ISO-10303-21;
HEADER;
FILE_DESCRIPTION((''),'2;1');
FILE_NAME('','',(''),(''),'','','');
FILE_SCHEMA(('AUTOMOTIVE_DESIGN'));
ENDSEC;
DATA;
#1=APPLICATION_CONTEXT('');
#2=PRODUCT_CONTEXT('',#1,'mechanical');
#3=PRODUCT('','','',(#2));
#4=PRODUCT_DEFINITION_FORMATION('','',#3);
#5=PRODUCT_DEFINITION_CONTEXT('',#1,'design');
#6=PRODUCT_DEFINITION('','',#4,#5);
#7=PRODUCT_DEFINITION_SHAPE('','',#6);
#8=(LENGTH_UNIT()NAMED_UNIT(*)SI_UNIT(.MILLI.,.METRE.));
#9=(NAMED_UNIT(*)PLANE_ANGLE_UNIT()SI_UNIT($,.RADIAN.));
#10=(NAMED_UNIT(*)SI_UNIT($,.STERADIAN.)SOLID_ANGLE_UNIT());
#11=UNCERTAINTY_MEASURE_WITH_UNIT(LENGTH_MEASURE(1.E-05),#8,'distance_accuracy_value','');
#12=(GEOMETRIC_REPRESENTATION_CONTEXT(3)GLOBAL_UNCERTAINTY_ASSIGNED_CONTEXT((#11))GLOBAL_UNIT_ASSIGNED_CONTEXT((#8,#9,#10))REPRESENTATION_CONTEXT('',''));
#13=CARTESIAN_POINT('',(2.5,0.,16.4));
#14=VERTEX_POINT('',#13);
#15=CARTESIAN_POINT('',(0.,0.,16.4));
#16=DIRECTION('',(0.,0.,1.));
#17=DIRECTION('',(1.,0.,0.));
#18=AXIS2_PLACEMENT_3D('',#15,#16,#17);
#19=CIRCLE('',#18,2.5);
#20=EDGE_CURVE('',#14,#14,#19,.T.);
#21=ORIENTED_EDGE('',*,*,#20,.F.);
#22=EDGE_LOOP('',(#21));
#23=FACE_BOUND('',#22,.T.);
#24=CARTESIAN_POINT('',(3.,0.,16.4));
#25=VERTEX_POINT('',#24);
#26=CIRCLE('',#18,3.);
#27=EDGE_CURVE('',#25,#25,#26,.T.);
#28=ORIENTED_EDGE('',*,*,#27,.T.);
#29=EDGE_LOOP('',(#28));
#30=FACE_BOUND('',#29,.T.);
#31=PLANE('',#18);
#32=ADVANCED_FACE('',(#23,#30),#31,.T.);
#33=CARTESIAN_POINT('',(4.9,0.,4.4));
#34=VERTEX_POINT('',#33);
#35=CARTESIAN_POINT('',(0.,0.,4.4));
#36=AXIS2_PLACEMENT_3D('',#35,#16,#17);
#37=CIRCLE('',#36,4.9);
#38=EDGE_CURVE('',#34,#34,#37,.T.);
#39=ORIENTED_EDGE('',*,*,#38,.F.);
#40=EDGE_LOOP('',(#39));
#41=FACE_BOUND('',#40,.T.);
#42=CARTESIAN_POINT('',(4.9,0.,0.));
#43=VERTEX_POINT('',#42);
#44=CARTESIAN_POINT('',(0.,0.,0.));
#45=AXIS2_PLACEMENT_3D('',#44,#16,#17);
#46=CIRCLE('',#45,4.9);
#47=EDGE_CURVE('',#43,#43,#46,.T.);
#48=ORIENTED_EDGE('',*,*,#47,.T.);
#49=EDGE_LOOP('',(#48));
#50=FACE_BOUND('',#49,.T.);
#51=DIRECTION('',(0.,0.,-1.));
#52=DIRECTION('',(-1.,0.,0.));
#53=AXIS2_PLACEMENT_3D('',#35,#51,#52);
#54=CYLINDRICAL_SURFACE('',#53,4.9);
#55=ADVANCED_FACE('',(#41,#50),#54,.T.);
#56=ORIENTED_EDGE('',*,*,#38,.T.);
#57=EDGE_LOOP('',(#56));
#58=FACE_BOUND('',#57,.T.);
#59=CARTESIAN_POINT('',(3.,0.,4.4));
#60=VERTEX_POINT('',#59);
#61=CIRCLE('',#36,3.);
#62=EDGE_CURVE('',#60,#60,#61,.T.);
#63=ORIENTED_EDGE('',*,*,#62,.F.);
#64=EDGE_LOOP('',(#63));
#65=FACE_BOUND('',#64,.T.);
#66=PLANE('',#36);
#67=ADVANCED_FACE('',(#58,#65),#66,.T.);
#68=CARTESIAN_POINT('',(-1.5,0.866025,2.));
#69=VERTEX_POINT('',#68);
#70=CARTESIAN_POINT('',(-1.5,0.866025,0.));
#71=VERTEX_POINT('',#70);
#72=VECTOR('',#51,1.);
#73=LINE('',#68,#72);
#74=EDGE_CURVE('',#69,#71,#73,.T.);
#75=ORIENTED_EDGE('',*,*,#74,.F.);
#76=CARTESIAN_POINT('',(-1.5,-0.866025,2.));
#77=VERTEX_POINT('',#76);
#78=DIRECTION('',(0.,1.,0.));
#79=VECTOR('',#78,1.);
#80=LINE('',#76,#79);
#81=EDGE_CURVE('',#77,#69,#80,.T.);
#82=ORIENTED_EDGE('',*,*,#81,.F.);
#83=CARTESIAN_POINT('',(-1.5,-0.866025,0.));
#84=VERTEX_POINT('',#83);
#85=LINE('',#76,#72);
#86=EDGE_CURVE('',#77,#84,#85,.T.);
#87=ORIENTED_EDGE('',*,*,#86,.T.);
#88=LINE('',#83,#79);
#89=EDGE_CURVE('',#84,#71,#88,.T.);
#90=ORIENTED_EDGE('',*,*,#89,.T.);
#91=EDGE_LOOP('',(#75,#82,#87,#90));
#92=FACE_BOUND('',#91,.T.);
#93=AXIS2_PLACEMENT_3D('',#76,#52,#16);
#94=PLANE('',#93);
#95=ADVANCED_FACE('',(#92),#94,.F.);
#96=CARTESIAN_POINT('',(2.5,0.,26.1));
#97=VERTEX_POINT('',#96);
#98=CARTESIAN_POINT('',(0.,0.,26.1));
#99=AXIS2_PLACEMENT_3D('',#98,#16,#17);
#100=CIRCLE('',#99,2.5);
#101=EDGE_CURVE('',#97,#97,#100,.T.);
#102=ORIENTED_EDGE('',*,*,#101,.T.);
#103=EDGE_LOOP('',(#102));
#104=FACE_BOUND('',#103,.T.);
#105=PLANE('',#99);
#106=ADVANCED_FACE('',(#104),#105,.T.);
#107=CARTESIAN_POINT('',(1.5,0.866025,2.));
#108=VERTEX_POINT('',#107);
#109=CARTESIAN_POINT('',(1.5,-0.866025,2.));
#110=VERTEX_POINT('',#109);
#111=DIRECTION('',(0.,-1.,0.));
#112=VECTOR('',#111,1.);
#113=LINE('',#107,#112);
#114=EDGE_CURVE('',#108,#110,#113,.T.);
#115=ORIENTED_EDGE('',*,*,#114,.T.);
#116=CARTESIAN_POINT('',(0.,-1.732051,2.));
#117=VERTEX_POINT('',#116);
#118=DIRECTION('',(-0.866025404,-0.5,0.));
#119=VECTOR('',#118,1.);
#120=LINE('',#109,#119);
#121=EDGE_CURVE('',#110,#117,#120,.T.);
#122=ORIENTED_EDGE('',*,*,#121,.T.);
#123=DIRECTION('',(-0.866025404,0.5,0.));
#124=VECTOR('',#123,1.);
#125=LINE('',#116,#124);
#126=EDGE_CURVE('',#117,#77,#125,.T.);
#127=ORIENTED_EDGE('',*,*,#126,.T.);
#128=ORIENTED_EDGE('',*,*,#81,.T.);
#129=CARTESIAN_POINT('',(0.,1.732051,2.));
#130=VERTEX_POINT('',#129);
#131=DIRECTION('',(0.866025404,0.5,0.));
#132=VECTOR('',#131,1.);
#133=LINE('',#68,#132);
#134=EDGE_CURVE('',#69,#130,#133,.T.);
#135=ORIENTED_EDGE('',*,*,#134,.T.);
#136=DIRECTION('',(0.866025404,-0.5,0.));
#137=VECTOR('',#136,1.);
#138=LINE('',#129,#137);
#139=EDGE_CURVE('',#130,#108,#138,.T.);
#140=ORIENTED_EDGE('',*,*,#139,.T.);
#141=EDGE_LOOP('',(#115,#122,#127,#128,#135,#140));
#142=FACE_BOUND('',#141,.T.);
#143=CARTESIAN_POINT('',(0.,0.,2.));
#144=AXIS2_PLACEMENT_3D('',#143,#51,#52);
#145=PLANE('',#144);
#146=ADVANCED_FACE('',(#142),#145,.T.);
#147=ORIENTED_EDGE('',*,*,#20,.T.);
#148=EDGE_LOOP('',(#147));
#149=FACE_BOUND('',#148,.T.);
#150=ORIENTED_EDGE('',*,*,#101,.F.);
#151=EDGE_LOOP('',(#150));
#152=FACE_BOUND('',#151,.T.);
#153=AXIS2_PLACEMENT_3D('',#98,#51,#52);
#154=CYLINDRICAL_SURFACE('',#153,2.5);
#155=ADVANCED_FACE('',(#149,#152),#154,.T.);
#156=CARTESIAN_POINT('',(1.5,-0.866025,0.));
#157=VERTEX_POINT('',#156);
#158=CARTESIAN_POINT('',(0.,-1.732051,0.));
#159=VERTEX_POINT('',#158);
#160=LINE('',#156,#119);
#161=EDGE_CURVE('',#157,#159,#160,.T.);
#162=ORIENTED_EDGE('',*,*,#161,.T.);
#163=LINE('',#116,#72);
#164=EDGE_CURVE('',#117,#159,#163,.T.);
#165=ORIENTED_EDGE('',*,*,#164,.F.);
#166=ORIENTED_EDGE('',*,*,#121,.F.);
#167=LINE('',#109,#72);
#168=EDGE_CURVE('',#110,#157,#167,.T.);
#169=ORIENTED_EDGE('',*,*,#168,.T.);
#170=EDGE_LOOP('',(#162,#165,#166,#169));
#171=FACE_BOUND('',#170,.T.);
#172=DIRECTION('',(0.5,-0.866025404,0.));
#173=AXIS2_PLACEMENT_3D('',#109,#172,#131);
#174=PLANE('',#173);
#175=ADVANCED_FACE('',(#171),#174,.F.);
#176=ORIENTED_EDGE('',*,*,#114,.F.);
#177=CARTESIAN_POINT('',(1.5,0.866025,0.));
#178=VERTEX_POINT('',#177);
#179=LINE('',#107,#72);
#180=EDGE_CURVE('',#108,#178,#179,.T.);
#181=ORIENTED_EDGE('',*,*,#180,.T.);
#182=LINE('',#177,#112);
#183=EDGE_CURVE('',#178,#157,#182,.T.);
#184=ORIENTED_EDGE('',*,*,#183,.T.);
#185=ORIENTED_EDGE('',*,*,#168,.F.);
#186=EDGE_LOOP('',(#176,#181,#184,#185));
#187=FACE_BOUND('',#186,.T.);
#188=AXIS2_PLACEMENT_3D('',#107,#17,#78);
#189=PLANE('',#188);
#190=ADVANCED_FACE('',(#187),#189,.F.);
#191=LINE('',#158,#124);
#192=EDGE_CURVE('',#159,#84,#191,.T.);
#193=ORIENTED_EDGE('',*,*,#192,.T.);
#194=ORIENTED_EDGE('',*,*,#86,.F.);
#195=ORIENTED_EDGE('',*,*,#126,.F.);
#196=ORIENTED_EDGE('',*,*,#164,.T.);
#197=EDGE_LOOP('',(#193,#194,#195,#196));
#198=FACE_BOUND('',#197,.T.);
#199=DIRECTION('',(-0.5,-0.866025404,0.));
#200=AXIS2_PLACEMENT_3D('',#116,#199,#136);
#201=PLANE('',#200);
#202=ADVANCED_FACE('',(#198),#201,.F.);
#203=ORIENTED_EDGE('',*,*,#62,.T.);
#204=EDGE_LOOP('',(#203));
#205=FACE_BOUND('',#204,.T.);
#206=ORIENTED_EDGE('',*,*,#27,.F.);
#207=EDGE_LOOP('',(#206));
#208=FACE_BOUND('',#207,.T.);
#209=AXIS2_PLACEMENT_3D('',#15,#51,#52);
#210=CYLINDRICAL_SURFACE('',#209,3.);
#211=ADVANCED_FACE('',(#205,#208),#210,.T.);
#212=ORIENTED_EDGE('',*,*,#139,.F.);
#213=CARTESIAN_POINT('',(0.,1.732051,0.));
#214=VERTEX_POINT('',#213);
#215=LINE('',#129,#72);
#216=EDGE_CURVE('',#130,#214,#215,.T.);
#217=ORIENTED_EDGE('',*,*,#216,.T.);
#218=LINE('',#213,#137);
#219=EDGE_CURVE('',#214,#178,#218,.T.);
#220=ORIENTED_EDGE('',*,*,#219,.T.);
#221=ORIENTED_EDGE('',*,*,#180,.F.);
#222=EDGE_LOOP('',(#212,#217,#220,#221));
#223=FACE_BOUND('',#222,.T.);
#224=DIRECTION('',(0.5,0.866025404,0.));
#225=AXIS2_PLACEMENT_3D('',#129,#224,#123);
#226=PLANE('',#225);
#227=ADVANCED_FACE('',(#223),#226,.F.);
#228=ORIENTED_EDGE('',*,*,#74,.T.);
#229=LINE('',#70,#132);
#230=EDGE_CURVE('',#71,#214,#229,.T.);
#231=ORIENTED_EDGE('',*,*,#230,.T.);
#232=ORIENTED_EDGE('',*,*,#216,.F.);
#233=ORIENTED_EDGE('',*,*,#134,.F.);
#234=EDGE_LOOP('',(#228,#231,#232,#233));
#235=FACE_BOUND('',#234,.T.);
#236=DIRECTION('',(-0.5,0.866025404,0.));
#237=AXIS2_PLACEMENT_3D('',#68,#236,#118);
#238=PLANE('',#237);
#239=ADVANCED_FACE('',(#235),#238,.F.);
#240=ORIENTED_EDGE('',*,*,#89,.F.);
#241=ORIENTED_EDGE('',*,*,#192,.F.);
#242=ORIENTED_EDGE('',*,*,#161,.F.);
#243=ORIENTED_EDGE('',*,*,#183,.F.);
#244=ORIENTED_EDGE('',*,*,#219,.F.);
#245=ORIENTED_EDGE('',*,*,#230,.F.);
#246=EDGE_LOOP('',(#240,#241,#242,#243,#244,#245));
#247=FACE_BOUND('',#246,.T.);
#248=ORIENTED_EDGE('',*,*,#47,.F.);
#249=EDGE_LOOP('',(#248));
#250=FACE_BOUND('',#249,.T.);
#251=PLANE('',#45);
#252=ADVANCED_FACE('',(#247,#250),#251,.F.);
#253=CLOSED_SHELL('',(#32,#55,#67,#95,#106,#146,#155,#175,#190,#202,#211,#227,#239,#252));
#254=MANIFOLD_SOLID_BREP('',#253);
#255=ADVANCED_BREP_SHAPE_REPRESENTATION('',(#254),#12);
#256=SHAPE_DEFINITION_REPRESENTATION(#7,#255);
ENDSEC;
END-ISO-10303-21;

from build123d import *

# Parameters (mm, degrees)
SKETCH_1_R          = 4.9
EXTRUDE_1_DEPTH     = 4.4
SKETCH_2_R          = 3
EXTRUDE_2_DEPTH     = 12
SKETCH_3_R          = 2.5
EXTRUDE_3_DEPTH     = 9.7
CUT_EXTRUDE_1_DEPTH = 2


with BuildPart() as part:
    # 草图1 → 凸台-拉伸1 (new body)
    with BuildSketch(Plane.XY):
        Circle(SKETCH_1_R)
    extrude(amount=EXTRUDE_1_DEPTH)

    # 草图2 → 凸台-拉伸2 (add)
    with BuildSketch(Plane.XY.offset(4.4)):
        Circle(SKETCH_2_R)
    extrude(amount=EXTRUDE_2_DEPTH)

    # 草图3 → 凸台-拉伸3 (add)
    with BuildSketch(Plane.XY.offset(16.4)):
        Circle(SKETCH_3_R)
    extrude(amount=EXTRUDE_3_DEPTH)

    # 草图4 → 切除-拉伸1 (cut)
    with BuildSketch(Plane(origin=(0, 0, 0), x_dir=(-1, 0, 0), z_dir=(0, 0, -1))):
        Polygon((0, 1.732050808), (-1.5, 0.866025404), (-1.5, -0.866025404), (0, -1.732050808), (1.5, -0.866025404), (1.5, 0.866025404), align=None)
    extrude(amount=-CUT_EXTRUDE_1_DEPTH, mode=Mode.SUBTRACT)


solid = part.part
